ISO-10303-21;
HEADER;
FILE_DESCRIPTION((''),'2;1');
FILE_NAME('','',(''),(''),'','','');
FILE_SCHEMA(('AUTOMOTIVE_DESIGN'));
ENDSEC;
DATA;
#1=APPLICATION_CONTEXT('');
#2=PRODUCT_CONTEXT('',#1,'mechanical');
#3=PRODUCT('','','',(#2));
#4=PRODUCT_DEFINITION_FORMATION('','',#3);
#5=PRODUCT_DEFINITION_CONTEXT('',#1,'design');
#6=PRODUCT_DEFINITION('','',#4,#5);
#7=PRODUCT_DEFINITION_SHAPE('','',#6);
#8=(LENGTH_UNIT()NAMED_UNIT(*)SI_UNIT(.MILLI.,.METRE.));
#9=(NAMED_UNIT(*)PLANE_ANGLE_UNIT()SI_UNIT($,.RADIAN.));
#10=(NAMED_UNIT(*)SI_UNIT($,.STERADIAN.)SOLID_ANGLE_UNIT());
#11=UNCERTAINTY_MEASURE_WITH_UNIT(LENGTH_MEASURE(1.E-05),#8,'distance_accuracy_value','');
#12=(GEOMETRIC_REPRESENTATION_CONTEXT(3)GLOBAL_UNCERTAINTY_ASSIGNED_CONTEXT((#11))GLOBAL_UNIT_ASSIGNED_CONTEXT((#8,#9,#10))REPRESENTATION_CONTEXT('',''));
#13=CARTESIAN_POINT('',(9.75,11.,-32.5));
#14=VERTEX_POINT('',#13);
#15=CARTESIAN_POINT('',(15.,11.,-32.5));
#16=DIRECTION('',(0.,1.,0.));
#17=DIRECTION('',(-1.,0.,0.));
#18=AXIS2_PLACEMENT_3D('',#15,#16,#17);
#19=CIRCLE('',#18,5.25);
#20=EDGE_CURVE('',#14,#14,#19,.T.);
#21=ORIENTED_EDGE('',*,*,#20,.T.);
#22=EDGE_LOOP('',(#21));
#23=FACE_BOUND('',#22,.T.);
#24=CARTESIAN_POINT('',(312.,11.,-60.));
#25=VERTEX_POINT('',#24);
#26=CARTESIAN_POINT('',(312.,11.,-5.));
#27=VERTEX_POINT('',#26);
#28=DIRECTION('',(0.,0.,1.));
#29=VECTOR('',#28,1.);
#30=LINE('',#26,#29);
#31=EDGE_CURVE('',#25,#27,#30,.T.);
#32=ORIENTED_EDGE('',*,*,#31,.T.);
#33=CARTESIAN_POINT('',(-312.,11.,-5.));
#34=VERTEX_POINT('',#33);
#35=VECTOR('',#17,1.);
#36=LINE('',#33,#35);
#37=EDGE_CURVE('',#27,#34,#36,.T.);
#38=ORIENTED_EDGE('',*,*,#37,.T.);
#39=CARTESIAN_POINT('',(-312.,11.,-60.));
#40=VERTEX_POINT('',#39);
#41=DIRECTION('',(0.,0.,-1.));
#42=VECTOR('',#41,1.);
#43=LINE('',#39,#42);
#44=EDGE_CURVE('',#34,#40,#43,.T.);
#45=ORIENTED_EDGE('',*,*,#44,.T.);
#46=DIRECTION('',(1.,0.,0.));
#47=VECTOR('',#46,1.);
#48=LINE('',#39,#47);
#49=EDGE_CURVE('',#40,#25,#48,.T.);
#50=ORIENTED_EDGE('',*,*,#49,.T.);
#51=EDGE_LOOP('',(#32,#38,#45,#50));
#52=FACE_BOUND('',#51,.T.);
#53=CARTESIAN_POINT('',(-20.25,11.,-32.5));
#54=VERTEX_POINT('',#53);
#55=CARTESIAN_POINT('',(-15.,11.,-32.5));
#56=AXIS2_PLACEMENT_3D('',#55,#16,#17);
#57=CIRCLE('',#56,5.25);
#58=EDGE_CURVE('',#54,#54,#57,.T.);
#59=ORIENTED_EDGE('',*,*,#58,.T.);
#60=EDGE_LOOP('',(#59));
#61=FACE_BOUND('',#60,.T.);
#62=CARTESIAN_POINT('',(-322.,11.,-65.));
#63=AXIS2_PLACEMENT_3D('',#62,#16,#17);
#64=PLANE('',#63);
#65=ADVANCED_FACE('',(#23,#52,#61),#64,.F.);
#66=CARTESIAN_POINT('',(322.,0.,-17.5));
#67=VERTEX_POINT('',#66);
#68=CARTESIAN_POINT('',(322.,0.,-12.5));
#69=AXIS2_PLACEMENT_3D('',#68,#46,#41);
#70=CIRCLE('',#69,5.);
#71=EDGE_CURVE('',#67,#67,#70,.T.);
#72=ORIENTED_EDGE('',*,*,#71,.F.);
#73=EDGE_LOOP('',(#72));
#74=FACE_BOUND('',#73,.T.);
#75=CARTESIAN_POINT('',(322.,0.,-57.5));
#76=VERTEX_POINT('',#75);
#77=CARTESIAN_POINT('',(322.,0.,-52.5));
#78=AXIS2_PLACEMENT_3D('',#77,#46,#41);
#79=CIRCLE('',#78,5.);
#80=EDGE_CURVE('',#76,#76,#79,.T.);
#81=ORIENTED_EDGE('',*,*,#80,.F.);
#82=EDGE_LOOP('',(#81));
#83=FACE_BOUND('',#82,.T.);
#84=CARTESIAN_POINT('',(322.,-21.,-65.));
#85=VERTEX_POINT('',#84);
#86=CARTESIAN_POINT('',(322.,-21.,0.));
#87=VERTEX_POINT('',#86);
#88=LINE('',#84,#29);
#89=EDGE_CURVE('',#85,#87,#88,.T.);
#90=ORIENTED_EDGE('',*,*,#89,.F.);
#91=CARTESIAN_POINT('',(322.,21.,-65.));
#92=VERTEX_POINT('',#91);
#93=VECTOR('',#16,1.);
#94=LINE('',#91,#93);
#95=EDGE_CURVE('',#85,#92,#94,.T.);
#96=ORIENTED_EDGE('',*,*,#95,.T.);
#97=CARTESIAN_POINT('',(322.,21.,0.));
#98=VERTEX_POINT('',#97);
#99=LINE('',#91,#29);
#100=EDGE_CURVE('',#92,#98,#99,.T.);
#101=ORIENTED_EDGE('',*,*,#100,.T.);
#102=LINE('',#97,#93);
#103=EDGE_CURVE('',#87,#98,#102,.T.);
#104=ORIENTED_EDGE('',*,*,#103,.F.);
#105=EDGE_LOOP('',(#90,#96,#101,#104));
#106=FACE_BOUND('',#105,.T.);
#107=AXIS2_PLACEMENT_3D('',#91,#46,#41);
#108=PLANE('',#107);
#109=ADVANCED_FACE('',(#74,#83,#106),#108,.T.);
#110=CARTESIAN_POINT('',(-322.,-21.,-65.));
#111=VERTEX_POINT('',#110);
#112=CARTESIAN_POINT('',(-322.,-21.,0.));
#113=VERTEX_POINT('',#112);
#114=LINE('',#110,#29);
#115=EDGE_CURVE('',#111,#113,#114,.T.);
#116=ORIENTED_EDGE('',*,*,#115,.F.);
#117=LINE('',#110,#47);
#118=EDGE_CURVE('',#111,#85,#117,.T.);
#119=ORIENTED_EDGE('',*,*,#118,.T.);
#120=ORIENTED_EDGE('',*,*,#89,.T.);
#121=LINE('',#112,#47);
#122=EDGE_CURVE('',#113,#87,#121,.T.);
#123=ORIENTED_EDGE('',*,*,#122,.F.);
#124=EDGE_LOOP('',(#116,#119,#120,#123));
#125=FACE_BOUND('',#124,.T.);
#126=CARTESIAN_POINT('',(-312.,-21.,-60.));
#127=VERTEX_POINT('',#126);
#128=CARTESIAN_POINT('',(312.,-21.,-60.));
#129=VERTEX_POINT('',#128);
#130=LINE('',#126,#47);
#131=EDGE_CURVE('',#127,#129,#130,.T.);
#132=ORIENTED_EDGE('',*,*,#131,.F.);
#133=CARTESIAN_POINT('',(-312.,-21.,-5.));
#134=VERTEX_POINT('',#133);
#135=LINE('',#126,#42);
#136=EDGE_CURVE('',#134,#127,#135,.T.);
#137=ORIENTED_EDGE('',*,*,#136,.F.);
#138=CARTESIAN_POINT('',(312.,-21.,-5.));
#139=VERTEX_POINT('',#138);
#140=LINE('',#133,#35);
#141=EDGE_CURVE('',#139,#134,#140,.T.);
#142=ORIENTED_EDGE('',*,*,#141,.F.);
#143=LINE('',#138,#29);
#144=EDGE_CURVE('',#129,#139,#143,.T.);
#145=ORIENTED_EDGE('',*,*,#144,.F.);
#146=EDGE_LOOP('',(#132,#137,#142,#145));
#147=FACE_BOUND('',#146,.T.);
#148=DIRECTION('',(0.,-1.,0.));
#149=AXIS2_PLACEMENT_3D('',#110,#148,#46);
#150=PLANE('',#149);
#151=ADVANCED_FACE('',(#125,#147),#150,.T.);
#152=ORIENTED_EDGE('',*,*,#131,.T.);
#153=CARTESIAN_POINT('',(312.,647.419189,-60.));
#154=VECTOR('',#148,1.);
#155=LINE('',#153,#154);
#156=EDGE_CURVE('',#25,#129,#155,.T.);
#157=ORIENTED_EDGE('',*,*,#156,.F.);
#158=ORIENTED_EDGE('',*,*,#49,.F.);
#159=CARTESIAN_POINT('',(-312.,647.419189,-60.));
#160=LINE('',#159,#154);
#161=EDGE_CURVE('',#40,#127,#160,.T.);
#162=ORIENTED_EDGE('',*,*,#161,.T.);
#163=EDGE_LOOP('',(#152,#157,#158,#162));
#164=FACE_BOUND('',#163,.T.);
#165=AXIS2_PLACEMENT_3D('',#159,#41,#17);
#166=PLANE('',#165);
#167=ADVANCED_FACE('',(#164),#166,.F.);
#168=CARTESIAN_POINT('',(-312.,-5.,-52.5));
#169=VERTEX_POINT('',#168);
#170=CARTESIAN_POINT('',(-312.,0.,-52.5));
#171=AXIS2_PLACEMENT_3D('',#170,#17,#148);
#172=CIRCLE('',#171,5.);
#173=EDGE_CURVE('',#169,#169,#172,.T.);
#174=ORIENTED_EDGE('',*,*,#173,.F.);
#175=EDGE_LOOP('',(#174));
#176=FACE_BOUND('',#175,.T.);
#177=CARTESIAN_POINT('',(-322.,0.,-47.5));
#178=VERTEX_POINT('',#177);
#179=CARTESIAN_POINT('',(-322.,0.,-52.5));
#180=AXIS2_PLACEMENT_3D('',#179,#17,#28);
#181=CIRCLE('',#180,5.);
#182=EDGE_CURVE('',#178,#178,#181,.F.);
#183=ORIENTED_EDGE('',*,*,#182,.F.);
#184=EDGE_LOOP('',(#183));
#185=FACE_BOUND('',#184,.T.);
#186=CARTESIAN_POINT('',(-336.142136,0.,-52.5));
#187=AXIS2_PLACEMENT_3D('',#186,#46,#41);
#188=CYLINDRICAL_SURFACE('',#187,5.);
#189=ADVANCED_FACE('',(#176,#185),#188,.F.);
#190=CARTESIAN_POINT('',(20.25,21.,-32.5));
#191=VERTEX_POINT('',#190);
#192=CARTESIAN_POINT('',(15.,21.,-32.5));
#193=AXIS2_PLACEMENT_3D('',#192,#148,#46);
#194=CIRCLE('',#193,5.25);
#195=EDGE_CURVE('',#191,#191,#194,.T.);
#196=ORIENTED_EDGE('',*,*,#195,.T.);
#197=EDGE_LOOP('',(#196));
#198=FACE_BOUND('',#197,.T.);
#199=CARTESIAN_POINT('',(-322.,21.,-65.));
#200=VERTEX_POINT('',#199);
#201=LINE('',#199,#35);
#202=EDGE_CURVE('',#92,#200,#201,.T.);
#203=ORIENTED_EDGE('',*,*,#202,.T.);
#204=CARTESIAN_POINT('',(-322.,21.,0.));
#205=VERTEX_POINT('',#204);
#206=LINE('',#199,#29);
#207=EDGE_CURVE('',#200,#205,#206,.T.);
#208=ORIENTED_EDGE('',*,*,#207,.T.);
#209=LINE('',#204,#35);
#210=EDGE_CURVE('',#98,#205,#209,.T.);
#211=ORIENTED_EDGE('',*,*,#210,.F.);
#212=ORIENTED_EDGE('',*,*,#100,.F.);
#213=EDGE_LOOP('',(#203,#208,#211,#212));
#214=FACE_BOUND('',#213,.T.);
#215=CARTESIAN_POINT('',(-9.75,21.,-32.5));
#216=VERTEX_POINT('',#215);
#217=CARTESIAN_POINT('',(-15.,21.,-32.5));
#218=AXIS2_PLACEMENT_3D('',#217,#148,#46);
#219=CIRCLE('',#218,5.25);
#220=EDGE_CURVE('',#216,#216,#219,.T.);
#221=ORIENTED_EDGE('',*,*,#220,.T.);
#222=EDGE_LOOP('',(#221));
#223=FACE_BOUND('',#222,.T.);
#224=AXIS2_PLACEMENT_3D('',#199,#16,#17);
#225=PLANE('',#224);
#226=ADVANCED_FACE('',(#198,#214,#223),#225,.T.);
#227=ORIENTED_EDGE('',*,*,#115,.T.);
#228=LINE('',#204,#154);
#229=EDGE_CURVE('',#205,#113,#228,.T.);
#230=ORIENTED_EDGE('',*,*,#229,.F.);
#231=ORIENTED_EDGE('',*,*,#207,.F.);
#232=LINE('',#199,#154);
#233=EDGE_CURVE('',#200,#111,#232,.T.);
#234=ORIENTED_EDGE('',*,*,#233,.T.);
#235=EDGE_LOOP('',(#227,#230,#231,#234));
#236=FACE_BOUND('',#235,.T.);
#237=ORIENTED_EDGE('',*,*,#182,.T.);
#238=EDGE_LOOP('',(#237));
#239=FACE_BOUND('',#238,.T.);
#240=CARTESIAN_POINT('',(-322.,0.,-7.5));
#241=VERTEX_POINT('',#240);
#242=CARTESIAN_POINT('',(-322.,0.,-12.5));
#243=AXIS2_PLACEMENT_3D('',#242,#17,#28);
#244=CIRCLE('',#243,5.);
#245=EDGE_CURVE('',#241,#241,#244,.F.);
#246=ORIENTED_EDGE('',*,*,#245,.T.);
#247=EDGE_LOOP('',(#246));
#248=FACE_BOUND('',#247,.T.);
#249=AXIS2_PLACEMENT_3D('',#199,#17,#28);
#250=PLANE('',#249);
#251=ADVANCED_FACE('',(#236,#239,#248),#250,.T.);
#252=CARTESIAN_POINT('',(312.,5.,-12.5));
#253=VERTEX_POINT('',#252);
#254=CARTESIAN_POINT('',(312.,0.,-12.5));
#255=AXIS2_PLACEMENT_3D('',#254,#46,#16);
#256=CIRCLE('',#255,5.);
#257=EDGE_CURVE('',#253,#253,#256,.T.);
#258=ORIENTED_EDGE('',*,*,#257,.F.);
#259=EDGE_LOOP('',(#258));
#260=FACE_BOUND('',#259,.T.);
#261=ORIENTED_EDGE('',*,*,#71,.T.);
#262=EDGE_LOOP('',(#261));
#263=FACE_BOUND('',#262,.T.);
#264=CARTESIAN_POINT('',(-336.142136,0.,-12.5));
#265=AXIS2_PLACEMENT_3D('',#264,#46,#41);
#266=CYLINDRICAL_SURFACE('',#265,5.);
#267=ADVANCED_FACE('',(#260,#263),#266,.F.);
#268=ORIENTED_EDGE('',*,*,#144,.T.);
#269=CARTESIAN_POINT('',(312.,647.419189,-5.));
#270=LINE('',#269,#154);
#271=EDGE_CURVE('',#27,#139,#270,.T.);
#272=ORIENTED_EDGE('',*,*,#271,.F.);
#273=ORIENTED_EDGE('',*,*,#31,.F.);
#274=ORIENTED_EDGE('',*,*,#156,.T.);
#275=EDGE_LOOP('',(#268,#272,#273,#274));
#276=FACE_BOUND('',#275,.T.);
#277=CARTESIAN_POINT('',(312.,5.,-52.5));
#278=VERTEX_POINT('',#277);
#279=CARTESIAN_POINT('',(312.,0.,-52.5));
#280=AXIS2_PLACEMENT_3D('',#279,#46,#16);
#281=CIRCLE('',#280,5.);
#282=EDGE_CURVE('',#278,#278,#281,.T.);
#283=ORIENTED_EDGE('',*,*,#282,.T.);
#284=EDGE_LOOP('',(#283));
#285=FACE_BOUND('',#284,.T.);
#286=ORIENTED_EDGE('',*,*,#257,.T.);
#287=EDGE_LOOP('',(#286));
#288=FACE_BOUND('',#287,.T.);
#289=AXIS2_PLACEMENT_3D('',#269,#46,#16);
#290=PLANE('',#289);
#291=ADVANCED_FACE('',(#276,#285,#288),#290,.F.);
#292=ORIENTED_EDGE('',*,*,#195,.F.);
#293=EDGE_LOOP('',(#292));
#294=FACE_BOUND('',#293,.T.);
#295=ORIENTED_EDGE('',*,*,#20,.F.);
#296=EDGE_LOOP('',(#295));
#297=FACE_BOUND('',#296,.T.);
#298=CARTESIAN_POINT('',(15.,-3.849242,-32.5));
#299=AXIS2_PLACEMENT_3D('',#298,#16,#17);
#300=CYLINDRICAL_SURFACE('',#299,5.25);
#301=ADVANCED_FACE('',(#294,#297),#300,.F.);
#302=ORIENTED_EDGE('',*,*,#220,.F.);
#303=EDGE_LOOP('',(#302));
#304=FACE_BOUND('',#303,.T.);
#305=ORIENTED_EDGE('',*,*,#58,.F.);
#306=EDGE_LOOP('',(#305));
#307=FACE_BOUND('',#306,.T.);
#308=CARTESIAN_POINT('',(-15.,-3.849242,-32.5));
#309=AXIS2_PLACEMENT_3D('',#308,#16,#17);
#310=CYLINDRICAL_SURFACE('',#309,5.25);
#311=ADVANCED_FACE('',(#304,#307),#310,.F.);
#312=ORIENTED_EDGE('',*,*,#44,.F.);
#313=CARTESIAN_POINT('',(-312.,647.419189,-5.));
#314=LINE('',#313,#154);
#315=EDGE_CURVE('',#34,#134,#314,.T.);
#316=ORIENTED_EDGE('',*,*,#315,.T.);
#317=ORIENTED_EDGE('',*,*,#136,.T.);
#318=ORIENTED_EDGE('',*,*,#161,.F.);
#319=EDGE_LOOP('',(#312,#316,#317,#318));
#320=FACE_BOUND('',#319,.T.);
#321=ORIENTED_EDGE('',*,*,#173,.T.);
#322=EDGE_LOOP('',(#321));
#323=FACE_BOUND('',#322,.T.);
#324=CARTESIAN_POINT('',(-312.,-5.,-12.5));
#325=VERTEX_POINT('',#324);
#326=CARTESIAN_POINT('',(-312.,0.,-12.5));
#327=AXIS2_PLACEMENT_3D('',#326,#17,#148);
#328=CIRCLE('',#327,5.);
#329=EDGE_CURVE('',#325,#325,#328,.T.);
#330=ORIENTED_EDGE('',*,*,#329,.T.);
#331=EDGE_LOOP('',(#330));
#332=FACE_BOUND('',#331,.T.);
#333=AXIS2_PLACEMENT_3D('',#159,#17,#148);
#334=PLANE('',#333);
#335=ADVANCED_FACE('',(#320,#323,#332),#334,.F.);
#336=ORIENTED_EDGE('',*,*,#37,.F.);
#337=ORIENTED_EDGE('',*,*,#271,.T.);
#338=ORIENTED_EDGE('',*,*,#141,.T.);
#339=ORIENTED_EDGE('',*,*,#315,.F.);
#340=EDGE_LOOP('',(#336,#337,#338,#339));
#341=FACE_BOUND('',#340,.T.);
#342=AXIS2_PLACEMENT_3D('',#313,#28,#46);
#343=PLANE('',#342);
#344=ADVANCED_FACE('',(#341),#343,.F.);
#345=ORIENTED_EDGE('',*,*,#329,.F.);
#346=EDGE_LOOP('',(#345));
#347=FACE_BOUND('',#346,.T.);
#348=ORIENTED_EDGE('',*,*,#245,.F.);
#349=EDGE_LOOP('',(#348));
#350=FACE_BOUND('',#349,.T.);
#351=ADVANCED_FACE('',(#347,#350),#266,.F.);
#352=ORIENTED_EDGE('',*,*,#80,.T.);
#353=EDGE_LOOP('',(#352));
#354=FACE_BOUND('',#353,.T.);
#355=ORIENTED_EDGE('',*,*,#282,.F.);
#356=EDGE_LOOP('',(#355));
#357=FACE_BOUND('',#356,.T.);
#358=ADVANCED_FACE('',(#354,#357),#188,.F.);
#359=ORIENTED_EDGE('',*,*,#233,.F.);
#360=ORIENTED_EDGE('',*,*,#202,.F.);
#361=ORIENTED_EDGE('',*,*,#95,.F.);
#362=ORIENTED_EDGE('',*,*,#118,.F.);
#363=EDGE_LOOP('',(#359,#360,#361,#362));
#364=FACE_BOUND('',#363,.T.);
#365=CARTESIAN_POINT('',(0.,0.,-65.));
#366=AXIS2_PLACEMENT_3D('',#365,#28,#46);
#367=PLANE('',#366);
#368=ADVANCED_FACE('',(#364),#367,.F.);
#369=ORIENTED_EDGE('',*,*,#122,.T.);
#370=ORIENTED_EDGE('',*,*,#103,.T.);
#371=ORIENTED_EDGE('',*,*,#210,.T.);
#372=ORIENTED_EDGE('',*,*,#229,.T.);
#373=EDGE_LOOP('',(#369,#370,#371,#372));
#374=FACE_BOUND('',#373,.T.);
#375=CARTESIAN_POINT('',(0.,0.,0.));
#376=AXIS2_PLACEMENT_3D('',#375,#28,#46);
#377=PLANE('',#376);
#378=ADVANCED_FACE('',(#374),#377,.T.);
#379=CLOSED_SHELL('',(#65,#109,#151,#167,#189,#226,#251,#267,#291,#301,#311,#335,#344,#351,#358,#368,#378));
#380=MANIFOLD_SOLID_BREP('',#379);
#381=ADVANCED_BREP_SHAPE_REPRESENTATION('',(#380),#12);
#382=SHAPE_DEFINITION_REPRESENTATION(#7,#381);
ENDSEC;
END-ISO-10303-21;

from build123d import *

# Parameters (mm, degrees)
SCHIZZO1_W                   = 644
SCHIZZO1_H                   = 42
ESTRUSIONE_ESTRUSIONE1_DEPTH = 65
SCHIZZO2_W                   = 624
SCHIZZO2_H                   = 55
TAGLIO_ESTRUSIONE1_DEPTH     = 32
SCHIZZO4_R                   = 5.25
TAGLIO_ESTRUSIONE2_DEPTH     = 10
TAGLIO_ESTRUSIONE3_REACH     = 649.613
SCHIZZO5_R                   = 5


with BuildPart() as part:
    # Schizzo1 → Estrusione-Estrusione1 (new body)
    with BuildSketch(Plane.XY):
        Rectangle(SCHIZZO1_W, SCHIZZO1_H)
    extrude(amount=-ESTRUSIONE_ESTRUSIONE1_DEPTH)

    # Schizzo2 → Taglio-Estrusione1 (cut)
    with BuildSketch(Plane.XZ.offset(21)):
        with Locations((0, -32.5)):
            Rectangle(SCHIZZO2_W, SCHIZZO2_H)
    extrude(amount=-TAGLIO_ESTRUSIONE1_DEPTH, mode=Mode.SUBTRACT)

    # Schizzo4 → Taglio-Estrusione2 (cut)
    with BuildSketch(Plane(origin=(0, 21, -21), x_dir=(1, 0, 0), z_dir=(0, -1, 0))):
        with Locations(Location((-15, -11.5, 0), (0, 0, 180))):
            Circle(SCHIZZO4_R)
        with Locations(Location((15, -11.5, 0), (0, 0, 180))):
            Circle(SCHIZZO4_R)
    extrude(amount=TAGLIO_ESTRUSIONE2_DEPTH, mode=Mode.SUBTRACT)

    # Taglio-Estrusione3: up to this face of the body (flat: up to its plane)
    taglio_estrusione3_end = Plane(part.part.faces().sort_by_distance((-322, 0, -32.5))[0])
    # Schizzo5 → Taglio-Estrusione3 (cut, up to the picked face)
    with BuildSketch(Plane(origin=(322, 0, 0), x_dir=(0, 0, -1), z_dir=(1, 0, 0)), mode=Mode.PRIVATE) as taglio_estrusione3_sk1:
        with Locations(Location((12.5, 0, 0), (0, 0, 270))):
            Circle(SCHIZZO5_R)
    taglio_estrusione3_tool1 = split(extrude(taglio_estrusione3_sk1.sketch, amount=-TAGLIO_ESTRUSIONE3_REACH, mode=Mode.PRIVATE), bisect_by=taglio_estrusione3_end, keep=Keep.BOTH, mode=Mode.PRIVATE)
    # Schizzo5 → Taglio-Estrusione3 (cut, up to the picked face)
    with BuildSketch(Plane(origin=(322, 0, 0), x_dir=(0, 0, -1), z_dir=(1, 0, 0)), mode=Mode.PRIVATE) as taglio_estrusione3_sk2:
        with Locations(Location((52.5, 0, 0), (0, 0, 270))):
            Circle(SCHIZZO5_R)
    taglio_estrusione3_tool2 = split(extrude(taglio_estrusione3_sk2.sketch, amount=-TAGLIO_ESTRUSIONE3_REACH, mode=Mode.PRIVATE), bisect_by=taglio_estrusione3_end, keep=Keep.BOTH, mode=Mode.PRIVATE)
    add(taglio_estrusione3_tool1.solids().sort_by(Axis((322, 0, -12.5), (-1, 0, 0)))[0], mode=Mode.SUBTRACT)
    add(taglio_estrusione3_tool2.solids().sort_by(Axis((322, 0, -52.5), (-1, 0, 0)))[0], mode=Mode.SUBTRACT)


solid = part.part
